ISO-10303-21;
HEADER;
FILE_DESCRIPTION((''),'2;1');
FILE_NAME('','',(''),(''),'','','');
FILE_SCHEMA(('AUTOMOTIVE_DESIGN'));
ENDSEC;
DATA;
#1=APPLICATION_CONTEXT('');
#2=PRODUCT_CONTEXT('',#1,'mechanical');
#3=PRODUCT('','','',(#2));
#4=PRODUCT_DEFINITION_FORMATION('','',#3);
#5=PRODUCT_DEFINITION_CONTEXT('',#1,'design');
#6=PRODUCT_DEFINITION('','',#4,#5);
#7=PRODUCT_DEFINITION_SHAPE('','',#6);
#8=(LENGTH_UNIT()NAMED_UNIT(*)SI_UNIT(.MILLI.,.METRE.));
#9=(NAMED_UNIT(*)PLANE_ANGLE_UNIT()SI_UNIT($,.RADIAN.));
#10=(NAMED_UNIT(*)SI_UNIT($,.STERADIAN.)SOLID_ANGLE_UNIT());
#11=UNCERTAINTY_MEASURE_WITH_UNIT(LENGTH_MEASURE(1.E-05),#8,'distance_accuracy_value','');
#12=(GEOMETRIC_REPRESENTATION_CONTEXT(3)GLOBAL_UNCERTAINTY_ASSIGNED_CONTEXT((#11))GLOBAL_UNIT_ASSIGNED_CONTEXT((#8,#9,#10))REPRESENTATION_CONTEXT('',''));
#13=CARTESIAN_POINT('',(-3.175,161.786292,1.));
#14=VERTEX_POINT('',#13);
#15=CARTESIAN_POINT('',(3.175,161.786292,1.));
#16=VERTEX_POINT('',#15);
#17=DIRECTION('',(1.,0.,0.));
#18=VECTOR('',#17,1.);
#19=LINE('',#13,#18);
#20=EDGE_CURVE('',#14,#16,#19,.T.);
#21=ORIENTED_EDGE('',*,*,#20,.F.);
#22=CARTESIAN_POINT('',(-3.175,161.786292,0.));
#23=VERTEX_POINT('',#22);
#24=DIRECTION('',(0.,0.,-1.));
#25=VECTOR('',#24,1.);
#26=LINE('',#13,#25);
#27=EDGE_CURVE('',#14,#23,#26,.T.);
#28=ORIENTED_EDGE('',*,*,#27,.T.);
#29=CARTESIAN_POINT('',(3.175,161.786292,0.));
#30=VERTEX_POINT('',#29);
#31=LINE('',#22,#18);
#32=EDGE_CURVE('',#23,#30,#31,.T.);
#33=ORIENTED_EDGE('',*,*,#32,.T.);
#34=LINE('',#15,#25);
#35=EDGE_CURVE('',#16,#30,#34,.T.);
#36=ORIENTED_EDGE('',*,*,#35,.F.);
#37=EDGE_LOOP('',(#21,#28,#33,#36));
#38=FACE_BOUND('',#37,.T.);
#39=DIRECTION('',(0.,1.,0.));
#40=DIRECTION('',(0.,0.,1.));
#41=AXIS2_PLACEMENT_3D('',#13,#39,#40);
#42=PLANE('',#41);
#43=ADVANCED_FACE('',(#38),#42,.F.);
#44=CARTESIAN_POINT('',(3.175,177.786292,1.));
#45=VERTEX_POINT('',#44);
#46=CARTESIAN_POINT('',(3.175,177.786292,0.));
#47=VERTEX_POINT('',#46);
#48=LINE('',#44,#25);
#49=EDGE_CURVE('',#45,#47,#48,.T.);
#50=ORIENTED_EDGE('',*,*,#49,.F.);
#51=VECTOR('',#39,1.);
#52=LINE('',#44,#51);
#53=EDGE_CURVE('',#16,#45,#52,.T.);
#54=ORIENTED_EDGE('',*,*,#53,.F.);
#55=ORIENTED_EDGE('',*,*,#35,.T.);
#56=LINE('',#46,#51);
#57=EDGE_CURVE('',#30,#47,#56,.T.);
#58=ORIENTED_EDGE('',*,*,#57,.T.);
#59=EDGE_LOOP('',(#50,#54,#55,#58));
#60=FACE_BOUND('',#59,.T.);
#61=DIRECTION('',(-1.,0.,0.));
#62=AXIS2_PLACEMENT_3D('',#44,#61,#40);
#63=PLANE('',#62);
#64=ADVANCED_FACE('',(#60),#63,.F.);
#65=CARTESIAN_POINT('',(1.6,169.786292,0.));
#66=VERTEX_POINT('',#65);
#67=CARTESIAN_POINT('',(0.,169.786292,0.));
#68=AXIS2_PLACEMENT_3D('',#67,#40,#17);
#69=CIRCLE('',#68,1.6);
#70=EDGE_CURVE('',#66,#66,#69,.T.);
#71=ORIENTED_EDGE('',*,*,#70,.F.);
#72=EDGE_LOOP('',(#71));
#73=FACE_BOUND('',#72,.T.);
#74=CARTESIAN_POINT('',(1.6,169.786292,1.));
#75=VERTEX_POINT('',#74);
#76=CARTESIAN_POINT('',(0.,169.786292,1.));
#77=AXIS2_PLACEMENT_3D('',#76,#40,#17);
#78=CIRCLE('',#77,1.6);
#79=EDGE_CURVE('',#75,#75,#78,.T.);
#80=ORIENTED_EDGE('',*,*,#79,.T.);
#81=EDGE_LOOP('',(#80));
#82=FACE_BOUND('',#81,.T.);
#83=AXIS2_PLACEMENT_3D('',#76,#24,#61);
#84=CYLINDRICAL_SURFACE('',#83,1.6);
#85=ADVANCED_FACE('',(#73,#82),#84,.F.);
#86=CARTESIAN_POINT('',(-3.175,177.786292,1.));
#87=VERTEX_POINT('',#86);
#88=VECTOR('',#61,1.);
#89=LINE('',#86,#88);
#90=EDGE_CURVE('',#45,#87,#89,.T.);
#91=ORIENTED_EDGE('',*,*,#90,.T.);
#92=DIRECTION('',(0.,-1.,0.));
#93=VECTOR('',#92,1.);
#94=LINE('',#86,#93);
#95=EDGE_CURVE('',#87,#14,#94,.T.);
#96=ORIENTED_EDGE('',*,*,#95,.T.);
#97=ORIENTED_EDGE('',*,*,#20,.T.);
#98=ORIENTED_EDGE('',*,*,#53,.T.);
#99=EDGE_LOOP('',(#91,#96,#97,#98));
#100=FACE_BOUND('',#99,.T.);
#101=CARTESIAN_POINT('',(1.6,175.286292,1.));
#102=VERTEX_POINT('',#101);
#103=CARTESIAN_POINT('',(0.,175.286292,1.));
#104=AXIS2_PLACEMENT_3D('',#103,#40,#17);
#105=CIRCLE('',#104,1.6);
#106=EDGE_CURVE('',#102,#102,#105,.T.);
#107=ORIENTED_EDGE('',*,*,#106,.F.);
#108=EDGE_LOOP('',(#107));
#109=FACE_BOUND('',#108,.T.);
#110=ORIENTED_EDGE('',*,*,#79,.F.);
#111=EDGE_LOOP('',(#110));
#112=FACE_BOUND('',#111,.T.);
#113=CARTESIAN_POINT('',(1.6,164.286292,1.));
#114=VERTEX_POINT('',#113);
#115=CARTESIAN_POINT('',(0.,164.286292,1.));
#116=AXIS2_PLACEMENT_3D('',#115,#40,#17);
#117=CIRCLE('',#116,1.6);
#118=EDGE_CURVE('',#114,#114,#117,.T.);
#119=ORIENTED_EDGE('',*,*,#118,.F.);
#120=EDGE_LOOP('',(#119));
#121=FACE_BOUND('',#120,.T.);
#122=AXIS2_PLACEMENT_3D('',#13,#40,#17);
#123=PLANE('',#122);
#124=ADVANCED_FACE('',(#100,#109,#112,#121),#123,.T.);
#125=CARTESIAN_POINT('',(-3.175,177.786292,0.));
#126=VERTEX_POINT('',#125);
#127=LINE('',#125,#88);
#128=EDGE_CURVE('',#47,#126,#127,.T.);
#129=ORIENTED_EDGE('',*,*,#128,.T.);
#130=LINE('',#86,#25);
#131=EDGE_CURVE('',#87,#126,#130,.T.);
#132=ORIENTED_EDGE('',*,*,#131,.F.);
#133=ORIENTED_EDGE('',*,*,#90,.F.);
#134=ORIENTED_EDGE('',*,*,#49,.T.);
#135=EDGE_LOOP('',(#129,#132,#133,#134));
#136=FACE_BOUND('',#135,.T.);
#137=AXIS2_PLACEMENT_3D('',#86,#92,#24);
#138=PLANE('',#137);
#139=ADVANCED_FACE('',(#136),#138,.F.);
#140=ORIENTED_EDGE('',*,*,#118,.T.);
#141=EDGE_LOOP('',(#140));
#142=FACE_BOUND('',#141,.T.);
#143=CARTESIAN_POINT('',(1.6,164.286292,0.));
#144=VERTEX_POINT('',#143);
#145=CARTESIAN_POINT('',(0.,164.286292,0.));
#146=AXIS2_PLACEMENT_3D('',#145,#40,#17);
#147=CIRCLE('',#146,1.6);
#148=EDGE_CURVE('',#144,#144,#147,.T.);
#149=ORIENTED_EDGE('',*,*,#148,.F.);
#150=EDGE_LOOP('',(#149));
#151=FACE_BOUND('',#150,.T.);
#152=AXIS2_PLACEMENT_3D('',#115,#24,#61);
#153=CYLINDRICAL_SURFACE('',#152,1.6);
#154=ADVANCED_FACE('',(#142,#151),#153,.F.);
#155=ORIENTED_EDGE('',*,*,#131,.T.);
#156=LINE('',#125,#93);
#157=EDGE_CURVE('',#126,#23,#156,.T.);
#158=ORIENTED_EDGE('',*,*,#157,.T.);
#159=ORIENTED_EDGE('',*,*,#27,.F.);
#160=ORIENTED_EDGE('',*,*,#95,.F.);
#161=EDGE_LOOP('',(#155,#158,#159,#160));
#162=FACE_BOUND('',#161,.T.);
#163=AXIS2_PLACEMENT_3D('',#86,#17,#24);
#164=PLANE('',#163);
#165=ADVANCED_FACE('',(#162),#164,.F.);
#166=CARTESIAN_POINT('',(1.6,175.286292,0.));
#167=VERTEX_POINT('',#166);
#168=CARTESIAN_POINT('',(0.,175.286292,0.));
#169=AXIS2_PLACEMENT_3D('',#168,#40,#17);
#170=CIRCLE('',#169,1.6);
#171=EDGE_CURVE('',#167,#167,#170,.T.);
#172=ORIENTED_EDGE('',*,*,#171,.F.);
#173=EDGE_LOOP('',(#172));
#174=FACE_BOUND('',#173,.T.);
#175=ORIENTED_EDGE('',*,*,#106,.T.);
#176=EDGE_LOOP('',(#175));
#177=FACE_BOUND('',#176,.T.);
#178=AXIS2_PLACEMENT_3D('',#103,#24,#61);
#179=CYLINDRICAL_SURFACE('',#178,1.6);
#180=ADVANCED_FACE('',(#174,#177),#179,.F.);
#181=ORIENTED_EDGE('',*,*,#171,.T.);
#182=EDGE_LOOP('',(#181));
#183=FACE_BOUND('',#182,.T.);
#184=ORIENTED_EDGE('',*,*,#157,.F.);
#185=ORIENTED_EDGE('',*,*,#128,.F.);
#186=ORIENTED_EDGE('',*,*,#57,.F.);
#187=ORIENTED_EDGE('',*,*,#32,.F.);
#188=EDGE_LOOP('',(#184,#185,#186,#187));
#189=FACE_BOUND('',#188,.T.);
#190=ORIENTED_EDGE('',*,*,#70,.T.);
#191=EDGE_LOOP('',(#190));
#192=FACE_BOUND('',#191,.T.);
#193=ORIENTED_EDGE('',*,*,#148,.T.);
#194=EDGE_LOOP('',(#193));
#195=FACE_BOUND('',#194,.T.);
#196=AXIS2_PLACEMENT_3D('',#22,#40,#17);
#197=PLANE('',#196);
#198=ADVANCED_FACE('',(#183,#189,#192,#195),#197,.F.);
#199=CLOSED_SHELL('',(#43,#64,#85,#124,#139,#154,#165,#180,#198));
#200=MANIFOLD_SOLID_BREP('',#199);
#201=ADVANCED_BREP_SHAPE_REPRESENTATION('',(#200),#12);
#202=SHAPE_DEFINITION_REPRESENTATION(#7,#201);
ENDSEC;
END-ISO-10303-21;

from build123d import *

# Parameters (mm, degrees)
SKETCH1_W           = 6.35
SKETCH1_H           = 16
SKETCH1_R           = 1.6
BOSS_EXTRUDE1_DEPTH = 1


with BuildPart() as part:
    # Sketch1 → Boss-Extrude1 (new body)
    with BuildSketch(Plane.XY):
        with Locations((0, 169.786291501)):
            Rectangle(SKETCH1_W, SKETCH1_H)
        with Locations((0, 169.786291501)):
            Circle(SKETCH1_R, mode=Mode.SUBTRACT)
        with Locations((0, 175.286291501)):
            Circle(SKETCH1_R, mode=Mode.SUBTRACT)
        with Locations((0, 164.286291501)):
            Circle(SKETCH1_R, mode=Mode.SUBTRACT)
    extrude(amount=BOSS_EXTRUDE1_DEPTH)


solid = part.part
